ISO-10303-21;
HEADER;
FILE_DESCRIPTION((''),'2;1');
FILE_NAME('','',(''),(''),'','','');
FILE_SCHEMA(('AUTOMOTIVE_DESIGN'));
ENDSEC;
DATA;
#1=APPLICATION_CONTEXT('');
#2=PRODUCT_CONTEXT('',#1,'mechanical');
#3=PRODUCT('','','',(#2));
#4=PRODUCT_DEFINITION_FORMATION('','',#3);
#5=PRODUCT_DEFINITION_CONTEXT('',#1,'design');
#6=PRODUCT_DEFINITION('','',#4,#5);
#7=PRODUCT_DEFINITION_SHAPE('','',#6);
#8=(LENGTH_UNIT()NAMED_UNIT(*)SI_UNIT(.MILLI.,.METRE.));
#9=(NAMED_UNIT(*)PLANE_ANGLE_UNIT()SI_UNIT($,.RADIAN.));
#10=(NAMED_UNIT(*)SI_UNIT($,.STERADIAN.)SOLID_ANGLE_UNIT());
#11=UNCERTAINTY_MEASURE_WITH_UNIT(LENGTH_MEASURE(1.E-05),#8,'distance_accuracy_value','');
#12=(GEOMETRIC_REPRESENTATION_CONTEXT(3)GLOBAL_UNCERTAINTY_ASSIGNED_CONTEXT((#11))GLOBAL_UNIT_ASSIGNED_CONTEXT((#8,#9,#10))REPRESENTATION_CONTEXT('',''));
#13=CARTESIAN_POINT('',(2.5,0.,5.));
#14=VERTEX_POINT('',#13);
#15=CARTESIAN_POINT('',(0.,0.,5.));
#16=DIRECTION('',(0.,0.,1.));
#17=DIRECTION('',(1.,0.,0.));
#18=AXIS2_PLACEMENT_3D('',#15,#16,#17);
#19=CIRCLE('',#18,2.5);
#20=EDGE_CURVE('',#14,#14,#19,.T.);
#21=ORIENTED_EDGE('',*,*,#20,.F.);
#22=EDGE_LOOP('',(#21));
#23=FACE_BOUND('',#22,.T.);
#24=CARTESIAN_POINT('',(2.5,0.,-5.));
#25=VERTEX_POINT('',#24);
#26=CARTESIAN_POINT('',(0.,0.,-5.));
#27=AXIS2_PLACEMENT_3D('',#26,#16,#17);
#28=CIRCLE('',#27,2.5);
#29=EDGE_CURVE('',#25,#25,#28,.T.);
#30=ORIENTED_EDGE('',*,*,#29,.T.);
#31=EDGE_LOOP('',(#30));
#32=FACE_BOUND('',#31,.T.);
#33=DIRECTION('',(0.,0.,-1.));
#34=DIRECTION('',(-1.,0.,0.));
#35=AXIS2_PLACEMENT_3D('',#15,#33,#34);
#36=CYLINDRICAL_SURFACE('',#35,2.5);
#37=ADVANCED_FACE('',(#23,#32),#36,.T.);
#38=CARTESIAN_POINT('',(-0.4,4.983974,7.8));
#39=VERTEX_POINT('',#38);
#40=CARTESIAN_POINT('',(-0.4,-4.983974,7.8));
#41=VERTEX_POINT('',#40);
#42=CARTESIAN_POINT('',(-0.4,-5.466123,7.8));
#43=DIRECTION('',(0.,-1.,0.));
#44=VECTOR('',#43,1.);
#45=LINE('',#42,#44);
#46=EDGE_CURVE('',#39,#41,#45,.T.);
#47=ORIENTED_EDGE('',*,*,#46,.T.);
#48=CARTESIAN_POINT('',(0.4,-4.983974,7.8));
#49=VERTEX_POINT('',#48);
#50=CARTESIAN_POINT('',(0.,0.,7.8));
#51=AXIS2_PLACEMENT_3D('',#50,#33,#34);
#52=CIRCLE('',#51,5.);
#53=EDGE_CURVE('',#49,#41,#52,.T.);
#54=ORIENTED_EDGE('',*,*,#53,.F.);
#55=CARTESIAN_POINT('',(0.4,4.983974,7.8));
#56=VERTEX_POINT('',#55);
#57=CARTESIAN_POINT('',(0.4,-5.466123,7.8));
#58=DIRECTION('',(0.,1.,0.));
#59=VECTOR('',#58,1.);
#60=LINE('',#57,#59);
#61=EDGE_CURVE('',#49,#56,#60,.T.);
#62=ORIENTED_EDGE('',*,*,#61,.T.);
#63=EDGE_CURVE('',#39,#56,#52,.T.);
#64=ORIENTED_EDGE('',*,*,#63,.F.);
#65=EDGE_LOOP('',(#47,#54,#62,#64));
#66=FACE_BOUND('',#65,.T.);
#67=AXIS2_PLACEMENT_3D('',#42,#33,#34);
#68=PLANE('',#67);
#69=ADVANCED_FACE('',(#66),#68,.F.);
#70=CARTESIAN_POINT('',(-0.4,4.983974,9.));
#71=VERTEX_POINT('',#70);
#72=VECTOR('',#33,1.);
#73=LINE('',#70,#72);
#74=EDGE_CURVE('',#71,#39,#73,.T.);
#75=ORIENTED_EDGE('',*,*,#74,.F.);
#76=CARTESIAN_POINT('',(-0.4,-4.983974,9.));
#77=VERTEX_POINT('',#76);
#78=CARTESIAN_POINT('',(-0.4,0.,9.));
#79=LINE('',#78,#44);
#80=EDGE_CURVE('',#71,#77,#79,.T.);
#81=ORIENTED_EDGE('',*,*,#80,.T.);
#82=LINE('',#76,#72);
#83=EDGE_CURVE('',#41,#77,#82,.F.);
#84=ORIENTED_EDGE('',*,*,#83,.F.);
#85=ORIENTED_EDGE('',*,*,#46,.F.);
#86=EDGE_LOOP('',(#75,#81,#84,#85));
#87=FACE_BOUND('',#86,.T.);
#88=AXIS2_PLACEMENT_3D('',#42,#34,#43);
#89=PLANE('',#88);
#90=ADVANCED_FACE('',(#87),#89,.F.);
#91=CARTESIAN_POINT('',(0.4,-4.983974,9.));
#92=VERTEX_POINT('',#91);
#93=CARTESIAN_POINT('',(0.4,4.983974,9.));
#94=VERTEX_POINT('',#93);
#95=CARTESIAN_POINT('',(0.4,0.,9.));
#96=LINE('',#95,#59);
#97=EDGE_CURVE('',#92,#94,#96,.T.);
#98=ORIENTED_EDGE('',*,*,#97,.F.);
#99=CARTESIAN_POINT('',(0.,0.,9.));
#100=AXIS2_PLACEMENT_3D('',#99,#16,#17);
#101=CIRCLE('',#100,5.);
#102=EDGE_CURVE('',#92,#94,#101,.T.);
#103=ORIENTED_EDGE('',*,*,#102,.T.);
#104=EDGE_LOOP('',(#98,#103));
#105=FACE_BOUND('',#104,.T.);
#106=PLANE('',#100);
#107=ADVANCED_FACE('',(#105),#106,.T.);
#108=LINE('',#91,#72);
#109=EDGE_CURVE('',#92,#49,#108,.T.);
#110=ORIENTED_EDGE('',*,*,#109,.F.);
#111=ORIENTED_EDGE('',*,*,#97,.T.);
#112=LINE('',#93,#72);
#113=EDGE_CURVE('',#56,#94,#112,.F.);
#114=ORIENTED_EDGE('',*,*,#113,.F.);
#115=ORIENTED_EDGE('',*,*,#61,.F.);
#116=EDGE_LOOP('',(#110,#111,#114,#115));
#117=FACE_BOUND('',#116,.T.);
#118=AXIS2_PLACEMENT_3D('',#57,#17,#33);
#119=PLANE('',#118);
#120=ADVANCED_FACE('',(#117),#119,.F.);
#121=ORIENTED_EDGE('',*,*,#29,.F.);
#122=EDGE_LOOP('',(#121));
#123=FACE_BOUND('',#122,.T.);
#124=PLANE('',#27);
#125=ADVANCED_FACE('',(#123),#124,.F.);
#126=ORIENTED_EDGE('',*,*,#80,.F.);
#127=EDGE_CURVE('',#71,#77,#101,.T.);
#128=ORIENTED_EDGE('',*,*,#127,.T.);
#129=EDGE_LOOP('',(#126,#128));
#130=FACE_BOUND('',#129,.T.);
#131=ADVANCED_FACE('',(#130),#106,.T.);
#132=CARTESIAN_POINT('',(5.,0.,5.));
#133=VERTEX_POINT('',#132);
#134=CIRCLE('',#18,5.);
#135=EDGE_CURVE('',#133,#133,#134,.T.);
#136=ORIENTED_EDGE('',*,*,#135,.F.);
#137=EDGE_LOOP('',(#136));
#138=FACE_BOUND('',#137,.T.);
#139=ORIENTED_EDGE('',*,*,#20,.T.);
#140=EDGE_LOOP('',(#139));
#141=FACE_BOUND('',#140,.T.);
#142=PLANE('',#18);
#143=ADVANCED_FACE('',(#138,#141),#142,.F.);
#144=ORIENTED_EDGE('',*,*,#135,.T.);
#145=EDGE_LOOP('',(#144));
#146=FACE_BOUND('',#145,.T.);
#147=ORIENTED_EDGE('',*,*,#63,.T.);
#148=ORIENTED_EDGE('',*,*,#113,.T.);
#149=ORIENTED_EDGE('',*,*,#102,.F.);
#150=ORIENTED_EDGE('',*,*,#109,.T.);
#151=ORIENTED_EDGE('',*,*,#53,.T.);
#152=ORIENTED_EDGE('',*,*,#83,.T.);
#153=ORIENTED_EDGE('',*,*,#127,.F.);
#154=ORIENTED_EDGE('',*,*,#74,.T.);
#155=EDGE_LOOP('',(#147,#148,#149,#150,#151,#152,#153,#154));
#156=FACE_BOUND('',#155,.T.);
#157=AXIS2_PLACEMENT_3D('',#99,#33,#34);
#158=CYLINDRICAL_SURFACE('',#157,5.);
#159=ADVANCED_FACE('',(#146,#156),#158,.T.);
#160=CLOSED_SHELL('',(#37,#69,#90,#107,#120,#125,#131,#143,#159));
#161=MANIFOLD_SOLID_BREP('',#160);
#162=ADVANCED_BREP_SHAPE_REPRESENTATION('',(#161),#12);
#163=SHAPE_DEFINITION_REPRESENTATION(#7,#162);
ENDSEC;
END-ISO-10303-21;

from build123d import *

# Parameters (mm, degrees)
EXTRUDE_1_DEPTH      = 5
EXTRUDE_1_DEPTH_BACK = 5
SKETCH_1_R           = 2.5
SKETCH_2_R           = 5
EXTRUDE_2_DEPTH      = 4
SKETCH_3_W           = 0.8
SKETCH_3_H           = 11.021006482
CUT_EXTRUDE_1_DEPTH  = 1.2


with BuildPart() as part:
    # Эскиз1 → Вытянуть1 (new, two sides: drawn at the far end of the back side and taken through both)
    with BuildSketch(Plane.XY.offset(-EXTRUDE_1_DEPTH_BACK)):
        Circle(SKETCH_1_R)
    extrude(amount=EXTRUDE_1_DEPTH + EXTRUDE_1_DEPTH_BACK)

    # Эскиз2 → Вытянуть2 (add)
    with BuildSketch(Plane.XY.offset(5)):
        Circle(SKETCH_2_R)
    extrude(amount=EXTRUDE_2_DEPTH)

    # Эскиз3 → Вырез-Вытянуть1 (cut)
    with BuildSketch(Plane.XY.offset(9)):
        with Locations((0, 0.044379892)):
            Rectangle(SKETCH_3_W, SKETCH_3_H)
    extrude(amount=-CUT_EXTRUDE_1_DEPTH, mode=Mode.SUBTRACT)


solid = part.part
